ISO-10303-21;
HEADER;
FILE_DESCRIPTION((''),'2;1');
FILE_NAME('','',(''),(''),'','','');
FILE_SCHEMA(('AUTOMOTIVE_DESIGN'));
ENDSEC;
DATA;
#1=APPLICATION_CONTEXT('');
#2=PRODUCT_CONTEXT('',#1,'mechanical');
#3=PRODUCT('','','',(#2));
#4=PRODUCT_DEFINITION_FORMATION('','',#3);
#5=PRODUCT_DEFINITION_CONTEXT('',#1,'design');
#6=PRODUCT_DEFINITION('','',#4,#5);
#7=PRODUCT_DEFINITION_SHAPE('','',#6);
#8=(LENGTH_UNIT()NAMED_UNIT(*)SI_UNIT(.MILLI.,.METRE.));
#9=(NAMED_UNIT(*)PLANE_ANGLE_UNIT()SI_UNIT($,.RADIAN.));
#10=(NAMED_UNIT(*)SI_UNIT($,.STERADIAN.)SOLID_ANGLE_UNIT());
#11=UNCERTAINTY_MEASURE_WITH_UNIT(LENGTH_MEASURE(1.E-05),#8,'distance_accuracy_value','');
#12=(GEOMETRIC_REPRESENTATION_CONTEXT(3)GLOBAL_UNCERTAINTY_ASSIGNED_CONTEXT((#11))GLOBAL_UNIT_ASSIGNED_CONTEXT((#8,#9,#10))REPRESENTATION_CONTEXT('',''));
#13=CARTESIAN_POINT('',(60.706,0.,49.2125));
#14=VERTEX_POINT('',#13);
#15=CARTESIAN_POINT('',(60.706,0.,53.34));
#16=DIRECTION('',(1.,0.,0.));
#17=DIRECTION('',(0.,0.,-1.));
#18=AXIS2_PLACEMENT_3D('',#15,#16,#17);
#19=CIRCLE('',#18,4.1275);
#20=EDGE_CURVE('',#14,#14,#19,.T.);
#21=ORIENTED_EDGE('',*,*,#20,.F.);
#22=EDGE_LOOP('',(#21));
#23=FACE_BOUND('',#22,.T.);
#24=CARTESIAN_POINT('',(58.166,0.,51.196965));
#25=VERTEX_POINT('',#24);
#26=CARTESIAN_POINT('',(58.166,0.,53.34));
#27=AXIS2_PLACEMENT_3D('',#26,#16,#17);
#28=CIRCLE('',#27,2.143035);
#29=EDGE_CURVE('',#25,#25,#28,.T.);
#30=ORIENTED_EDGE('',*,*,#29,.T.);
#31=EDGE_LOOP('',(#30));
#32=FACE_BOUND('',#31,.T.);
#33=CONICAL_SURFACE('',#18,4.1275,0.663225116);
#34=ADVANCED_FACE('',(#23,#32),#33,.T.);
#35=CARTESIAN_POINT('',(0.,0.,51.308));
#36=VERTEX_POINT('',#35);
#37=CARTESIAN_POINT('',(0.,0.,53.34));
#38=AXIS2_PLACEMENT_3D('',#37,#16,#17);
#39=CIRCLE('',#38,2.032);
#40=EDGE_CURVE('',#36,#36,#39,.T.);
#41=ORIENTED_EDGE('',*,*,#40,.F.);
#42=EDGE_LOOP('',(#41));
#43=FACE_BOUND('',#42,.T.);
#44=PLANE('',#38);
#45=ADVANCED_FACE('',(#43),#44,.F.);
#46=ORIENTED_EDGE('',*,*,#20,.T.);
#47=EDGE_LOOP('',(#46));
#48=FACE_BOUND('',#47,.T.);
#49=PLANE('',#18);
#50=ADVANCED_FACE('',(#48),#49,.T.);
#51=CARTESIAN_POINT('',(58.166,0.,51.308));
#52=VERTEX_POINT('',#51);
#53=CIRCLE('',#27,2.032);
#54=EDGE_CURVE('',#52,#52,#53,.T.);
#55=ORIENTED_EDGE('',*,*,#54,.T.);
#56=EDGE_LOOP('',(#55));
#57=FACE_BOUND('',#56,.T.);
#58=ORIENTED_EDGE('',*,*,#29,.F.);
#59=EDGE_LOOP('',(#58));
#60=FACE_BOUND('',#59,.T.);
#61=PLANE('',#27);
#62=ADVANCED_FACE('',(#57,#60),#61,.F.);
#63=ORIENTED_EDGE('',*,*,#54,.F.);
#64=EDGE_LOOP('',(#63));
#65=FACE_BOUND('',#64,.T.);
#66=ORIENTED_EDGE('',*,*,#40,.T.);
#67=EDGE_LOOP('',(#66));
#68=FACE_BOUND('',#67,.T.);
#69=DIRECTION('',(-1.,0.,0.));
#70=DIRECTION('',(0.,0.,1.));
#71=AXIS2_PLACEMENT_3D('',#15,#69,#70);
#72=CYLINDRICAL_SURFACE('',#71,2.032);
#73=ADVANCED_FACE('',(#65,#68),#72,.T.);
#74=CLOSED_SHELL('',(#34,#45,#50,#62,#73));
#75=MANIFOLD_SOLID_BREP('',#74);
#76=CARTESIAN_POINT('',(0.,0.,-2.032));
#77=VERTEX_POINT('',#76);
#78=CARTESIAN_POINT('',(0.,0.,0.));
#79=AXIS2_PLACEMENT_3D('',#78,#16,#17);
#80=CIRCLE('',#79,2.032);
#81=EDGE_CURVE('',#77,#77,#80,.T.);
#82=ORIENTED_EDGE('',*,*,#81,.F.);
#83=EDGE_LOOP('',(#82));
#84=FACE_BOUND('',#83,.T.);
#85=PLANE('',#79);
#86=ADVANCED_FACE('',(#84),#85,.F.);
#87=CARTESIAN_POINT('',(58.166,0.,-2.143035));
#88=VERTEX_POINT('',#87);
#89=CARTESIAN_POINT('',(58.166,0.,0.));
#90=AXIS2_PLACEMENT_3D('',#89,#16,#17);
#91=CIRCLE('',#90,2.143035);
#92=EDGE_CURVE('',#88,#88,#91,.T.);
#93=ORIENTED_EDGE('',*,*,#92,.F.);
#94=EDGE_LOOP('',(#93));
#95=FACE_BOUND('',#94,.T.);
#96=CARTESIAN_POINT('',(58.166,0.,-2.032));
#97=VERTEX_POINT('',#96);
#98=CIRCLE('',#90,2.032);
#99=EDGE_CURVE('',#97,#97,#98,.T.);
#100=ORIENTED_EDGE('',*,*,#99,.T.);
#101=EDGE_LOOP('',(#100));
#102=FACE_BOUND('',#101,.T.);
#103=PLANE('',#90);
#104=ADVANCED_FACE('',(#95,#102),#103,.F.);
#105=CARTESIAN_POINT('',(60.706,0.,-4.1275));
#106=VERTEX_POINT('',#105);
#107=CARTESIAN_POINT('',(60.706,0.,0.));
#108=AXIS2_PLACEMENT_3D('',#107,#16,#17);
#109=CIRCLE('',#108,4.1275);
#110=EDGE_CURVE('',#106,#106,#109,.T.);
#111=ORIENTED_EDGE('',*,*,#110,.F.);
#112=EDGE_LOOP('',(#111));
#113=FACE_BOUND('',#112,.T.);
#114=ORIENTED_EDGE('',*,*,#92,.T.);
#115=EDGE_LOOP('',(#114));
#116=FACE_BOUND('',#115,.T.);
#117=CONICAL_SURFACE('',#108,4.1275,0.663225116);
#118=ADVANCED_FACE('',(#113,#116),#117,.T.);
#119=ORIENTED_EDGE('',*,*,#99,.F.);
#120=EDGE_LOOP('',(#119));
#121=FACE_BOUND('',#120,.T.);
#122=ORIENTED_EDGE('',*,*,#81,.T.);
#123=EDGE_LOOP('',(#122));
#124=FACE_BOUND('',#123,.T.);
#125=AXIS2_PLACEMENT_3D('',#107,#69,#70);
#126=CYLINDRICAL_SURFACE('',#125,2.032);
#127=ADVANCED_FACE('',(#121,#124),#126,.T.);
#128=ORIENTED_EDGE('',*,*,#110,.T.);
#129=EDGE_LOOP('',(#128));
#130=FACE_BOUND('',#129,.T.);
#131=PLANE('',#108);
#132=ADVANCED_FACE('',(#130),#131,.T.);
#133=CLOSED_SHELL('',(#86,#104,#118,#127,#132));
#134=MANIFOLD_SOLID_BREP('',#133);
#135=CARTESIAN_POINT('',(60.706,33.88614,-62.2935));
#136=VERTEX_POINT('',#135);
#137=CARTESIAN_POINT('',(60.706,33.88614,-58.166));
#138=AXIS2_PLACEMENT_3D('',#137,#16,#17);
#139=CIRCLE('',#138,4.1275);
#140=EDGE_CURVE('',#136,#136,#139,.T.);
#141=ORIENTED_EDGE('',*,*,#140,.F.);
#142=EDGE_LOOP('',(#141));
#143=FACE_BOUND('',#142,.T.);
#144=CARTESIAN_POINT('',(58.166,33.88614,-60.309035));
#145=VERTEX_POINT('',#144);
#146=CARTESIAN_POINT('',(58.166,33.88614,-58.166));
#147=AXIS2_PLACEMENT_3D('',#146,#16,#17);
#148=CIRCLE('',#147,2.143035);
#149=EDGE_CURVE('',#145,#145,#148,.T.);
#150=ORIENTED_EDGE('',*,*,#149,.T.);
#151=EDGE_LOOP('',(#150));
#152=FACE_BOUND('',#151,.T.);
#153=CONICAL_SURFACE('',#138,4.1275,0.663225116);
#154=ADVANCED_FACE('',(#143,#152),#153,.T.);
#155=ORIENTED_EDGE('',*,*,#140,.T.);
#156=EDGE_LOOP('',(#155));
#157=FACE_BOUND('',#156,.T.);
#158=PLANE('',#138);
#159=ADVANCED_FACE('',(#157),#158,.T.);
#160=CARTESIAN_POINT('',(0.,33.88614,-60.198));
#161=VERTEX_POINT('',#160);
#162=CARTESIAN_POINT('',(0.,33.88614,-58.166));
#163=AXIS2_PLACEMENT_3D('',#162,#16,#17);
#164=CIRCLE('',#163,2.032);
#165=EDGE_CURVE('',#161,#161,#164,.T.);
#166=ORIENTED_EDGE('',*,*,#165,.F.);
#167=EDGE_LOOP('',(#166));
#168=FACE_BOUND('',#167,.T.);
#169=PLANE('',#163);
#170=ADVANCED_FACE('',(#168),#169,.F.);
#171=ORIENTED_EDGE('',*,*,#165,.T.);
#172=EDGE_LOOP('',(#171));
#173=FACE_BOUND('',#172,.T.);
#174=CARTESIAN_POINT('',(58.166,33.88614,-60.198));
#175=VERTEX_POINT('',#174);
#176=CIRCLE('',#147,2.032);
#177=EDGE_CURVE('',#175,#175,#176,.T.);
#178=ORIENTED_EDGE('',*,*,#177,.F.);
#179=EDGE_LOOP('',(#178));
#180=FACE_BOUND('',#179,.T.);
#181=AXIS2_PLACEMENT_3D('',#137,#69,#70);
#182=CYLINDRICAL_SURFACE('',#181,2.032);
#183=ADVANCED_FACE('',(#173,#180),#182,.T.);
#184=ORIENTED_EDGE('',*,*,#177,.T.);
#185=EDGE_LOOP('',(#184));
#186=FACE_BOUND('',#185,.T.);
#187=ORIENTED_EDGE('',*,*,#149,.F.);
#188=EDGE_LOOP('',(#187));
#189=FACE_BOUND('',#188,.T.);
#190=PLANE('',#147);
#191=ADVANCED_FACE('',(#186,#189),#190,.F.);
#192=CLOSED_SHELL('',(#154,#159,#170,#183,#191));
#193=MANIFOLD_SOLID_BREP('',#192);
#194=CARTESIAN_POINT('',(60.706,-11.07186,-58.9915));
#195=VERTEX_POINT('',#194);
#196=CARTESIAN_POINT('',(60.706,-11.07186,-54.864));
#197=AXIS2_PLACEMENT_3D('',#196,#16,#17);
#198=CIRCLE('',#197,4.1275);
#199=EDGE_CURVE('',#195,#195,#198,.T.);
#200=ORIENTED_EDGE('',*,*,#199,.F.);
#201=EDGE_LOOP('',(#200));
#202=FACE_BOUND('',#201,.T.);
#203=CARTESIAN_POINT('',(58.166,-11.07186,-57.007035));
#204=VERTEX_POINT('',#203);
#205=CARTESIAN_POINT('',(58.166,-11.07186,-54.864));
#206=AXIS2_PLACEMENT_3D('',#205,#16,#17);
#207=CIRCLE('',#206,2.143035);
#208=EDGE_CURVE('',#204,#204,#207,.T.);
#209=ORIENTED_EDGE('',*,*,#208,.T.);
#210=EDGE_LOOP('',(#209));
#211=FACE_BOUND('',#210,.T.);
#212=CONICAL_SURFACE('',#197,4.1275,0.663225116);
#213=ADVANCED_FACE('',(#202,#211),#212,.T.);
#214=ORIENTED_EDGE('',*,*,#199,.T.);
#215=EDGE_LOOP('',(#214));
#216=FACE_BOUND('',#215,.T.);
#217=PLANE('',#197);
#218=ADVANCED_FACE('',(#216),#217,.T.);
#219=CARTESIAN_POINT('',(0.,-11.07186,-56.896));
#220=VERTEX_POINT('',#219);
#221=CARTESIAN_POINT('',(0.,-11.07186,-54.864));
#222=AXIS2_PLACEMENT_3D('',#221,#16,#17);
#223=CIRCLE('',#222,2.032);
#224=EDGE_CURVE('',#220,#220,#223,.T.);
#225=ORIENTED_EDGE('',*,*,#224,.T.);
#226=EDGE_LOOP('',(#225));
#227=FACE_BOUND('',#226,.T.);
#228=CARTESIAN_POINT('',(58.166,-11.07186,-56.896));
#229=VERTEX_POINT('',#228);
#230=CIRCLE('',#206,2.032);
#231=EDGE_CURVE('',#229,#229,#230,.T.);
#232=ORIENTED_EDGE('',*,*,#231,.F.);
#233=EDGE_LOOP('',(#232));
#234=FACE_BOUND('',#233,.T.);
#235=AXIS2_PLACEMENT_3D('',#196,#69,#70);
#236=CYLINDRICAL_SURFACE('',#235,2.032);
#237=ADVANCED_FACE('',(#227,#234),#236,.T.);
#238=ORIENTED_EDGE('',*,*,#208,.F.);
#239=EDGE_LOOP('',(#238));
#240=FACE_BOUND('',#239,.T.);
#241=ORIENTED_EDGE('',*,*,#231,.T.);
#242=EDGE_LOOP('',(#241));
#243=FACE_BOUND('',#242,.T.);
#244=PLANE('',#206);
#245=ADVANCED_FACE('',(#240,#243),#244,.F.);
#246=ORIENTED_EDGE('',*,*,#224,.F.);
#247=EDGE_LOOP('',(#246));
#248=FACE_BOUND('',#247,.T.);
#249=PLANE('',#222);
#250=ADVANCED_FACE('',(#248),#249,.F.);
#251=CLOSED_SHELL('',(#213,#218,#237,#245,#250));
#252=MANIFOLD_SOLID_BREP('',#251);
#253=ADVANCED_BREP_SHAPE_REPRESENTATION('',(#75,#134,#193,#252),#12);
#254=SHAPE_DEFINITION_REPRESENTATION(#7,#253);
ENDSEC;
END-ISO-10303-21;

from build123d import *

# Parameters (mm, degrees)
SKETCH2_R                     = 2.032
BOSS_EXTRUDE1_DEPTH           = 60.706
BOSS_EXTRUDE1_2_DEPTH         = 60.706
BOSS_EXTRUDE1_3_DEPTH         = 60.706
BOSS_EXTRUDE1_4_DEPTH         = 60.706
SKETCH3_R                     = 4.1275
BOSS_EXTRUDE2_DEPTH           = 2.54
BOSS_EXTRUDE2_DRAFT           = -38
BOSS_EXTRUDE2_PROFILE_2_DEPTH = 2.54
BOSS_EXTRUDE2_PROFILE_2_DRAFT = -38
BOSS_EXTRUDE2_PROFILE_3_DEPTH = 2.54
BOSS_EXTRUDE2_PROFILE_3_DRAFT = -38
BOSS_EXTRUDE2_PROFILE_4_DEPTH = 2.54
BOSS_EXTRUDE2_PROFILE_4_DRAFT = -38


with BuildPart() as part:
    # Sketch2 → Boss-Extrude1 (new body)
    with BuildSketch(Plane(origin=(0, 0, 0), x_dir=(0, 0, -1), z_dir=(1, 0, 0))):
        with Locations((-53.34, 0)):
            Circle(SKETCH2_R)
    extrude(amount=BOSS_EXTRUDE1_DEPTH)


with BuildPart() as body_2:
    # Sketch2 → Boss-Extrude1 2 (new body)
    with BuildSketch(Plane(origin=(0, 0, 0), x_dir=(0, 0, -1), z_dir=(1, 0, 0))):
        Circle(SKETCH2_R)
    extrude(amount=BOSS_EXTRUDE1_2_DEPTH)


with BuildPart() as body_3:
    # Sketch2 → Boss-Extrude1 3 (new body)
    with BuildSketch(Plane(origin=(0, 0, 0), x_dir=(0, 0, -1), z_dir=(1, 0, 0))):
        with Locations((54.864, -11.07186)):
            Circle(SKETCH2_R)
    extrude(amount=BOSS_EXTRUDE1_3_DEPTH)


with BuildPart() as body_4:
    # Sketch2 → Boss-Extrude1 4 (new body)
    with BuildSketch(Plane(origin=(0, 0, 0), x_dir=(0, 0, -1), z_dir=(1, 0, 0))):
        with Locations((58.166, 33.88614)):
            Circle(SKETCH2_R)
    extrude(amount=BOSS_EXTRUDE1_4_DEPTH)


with BuildPart() as boss_extrude2_tool:
    # Sketch3 → Boss-Extrude2 (with draft: the straight prism first)
    with BuildSketch(Plane(origin=(60.706, 0, 0), x_dir=(0, 0, -1), z_dir=(1, 0, 0))):
        with Locations((-53.34, 0)):
            Circle(SKETCH3_R)
    extrude(amount=-BOSS_EXTRUDE2_DEPTH)
    # Boss-Extrude2: the draft: its side faces are tilted about the plane it starts from
    boss_extrude2_sides = [boss_extrude2_tool.faces().sort_by_distance(p)[0] for p in [
        (59.436, 0, 57.4675),
    ]]
    draft(boss_extrude2_sides, Plane(origin=(60.706, 0, 0), x_dir=(0, 0, -1), z_dir=(1, 0, 0)), BOSS_EXTRUDE2_DRAFT)


with BuildPart() as part_1:
    add(part.part)

    # Boss-Extrude2: add boss_extrude2_tool
    add(boss_extrude2_tool.part)

    add(body_2.part)  # Boss-Extrude2 merges body 2

    add(body_3.part)  # Boss-Extrude2 merges body 3

    add(body_4.part)  # Boss-Extrude2 merges body 4


with BuildPart() as boss_extrude2_profile_2_tool:
    # Sketch3 → Boss-Extrude2 profile 2 (with draft: the straight prism first)
    with BuildSketch(Plane(origin=(60.706, 0, 0), x_dir=(0, 0, -1), z_dir=(1, 0, 0))):
        Circle(SKETCH3_R)
    extrude(amount=-BOSS_EXTRUDE2_PROFILE_2_DEPTH)
    # Boss-Extrude2 profile 2: the draft: its side faces are tilted about the plane it starts from
    boss_extrude2_profile_2_sides = [boss_extrude2_profile_2_tool.faces().sort_by_distance(p)[0] for p in [
        (59.436, 0, 4.1275),
    ]]
    draft(boss_extrude2_profile_2_sides, Plane(origin=(60.706, 0, 0), x_dir=(0, 0, -1), z_dir=(1, 0, 0)), BOSS_EXTRUDE2_PROFILE_2_DRAFT)


with BuildPart() as part_2:
    add(part_1.part)

    # Boss-Extrude2 profile 2: add boss_extrude2_profile_2_tool
    add(boss_extrude2_profile_2_tool.part)


with BuildPart() as boss_extrude2_profile_3_tool:
    # Sketch3 → Boss-Extrude2 profile 3 (with draft: the straight prism first)
    with BuildSketch(Plane(origin=(60.706, 0, 0), x_dir=(0, 0, -1), z_dir=(1, 0, 0))):
        with Locations((58.166, 33.88614)):
            Circle(SKETCH3_R)
    extrude(amount=-BOSS_EXTRUDE2_PROFILE_3_DEPTH)
    # Boss-Extrude2 profile 3: the draft: its side faces are tilted about the plane it starts from
    boss_extrude2_profile_3_sides = [boss_extrude2_profile_3_tool.faces().sort_by_distance(p)[0] for p in [
        (59.436, 33.88614, -54.0385),
    ]]
    draft(boss_extrude2_profile_3_sides, Plane(origin=(60.706, 0, 0), x_dir=(0, 0, -1), z_dir=(1, 0, 0)), BOSS_EXTRUDE2_PROFILE_3_DRAFT)


with BuildPart() as part_3:
    add(part_2.part)

    # Boss-Extrude2 profile 3: add boss_extrude2_profile_3_tool
    add(boss_extrude2_profile_3_tool.part)


with BuildPart() as boss_extrude2_profile_4_tool:
    # Sketch3 → Boss-Extrude2 profile 4 (with draft: the straight prism first)
    with BuildSketch(Plane(origin=(60.706, 0, 0), x_dir=(0, 0, -1), z_dir=(1, 0, 0))):
        with Locations((54.864, -11.07186)):
            Circle(SKETCH3_R)
    extrude(amount=-BOSS_EXTRUDE2_PROFILE_4_DEPTH)
    # Boss-Extrude2 profile 4: the draft: its side faces are tilted about the plane it starts from
    boss_extrude2_profile_4_sides = [boss_extrude2_profile_4_tool.faces().sort_by_distance(p)[0] for p in [
        (59.436, -11.07186, -50.7365),
    ]]
    draft(boss_extrude2_profile_4_sides, Plane(origin=(60.706, 0, 0), x_dir=(0, 0, -1), z_dir=(1, 0, 0)), BOSS_EXTRUDE2_PROFILE_4_DRAFT)


with BuildPart() as part_4:
    add(part_3.part)

    # Boss-Extrude2 profile 4: add boss_extrude2_profile_4_tool
    add(boss_extrude2_profile_4_tool.part)


solid = part_4.part
